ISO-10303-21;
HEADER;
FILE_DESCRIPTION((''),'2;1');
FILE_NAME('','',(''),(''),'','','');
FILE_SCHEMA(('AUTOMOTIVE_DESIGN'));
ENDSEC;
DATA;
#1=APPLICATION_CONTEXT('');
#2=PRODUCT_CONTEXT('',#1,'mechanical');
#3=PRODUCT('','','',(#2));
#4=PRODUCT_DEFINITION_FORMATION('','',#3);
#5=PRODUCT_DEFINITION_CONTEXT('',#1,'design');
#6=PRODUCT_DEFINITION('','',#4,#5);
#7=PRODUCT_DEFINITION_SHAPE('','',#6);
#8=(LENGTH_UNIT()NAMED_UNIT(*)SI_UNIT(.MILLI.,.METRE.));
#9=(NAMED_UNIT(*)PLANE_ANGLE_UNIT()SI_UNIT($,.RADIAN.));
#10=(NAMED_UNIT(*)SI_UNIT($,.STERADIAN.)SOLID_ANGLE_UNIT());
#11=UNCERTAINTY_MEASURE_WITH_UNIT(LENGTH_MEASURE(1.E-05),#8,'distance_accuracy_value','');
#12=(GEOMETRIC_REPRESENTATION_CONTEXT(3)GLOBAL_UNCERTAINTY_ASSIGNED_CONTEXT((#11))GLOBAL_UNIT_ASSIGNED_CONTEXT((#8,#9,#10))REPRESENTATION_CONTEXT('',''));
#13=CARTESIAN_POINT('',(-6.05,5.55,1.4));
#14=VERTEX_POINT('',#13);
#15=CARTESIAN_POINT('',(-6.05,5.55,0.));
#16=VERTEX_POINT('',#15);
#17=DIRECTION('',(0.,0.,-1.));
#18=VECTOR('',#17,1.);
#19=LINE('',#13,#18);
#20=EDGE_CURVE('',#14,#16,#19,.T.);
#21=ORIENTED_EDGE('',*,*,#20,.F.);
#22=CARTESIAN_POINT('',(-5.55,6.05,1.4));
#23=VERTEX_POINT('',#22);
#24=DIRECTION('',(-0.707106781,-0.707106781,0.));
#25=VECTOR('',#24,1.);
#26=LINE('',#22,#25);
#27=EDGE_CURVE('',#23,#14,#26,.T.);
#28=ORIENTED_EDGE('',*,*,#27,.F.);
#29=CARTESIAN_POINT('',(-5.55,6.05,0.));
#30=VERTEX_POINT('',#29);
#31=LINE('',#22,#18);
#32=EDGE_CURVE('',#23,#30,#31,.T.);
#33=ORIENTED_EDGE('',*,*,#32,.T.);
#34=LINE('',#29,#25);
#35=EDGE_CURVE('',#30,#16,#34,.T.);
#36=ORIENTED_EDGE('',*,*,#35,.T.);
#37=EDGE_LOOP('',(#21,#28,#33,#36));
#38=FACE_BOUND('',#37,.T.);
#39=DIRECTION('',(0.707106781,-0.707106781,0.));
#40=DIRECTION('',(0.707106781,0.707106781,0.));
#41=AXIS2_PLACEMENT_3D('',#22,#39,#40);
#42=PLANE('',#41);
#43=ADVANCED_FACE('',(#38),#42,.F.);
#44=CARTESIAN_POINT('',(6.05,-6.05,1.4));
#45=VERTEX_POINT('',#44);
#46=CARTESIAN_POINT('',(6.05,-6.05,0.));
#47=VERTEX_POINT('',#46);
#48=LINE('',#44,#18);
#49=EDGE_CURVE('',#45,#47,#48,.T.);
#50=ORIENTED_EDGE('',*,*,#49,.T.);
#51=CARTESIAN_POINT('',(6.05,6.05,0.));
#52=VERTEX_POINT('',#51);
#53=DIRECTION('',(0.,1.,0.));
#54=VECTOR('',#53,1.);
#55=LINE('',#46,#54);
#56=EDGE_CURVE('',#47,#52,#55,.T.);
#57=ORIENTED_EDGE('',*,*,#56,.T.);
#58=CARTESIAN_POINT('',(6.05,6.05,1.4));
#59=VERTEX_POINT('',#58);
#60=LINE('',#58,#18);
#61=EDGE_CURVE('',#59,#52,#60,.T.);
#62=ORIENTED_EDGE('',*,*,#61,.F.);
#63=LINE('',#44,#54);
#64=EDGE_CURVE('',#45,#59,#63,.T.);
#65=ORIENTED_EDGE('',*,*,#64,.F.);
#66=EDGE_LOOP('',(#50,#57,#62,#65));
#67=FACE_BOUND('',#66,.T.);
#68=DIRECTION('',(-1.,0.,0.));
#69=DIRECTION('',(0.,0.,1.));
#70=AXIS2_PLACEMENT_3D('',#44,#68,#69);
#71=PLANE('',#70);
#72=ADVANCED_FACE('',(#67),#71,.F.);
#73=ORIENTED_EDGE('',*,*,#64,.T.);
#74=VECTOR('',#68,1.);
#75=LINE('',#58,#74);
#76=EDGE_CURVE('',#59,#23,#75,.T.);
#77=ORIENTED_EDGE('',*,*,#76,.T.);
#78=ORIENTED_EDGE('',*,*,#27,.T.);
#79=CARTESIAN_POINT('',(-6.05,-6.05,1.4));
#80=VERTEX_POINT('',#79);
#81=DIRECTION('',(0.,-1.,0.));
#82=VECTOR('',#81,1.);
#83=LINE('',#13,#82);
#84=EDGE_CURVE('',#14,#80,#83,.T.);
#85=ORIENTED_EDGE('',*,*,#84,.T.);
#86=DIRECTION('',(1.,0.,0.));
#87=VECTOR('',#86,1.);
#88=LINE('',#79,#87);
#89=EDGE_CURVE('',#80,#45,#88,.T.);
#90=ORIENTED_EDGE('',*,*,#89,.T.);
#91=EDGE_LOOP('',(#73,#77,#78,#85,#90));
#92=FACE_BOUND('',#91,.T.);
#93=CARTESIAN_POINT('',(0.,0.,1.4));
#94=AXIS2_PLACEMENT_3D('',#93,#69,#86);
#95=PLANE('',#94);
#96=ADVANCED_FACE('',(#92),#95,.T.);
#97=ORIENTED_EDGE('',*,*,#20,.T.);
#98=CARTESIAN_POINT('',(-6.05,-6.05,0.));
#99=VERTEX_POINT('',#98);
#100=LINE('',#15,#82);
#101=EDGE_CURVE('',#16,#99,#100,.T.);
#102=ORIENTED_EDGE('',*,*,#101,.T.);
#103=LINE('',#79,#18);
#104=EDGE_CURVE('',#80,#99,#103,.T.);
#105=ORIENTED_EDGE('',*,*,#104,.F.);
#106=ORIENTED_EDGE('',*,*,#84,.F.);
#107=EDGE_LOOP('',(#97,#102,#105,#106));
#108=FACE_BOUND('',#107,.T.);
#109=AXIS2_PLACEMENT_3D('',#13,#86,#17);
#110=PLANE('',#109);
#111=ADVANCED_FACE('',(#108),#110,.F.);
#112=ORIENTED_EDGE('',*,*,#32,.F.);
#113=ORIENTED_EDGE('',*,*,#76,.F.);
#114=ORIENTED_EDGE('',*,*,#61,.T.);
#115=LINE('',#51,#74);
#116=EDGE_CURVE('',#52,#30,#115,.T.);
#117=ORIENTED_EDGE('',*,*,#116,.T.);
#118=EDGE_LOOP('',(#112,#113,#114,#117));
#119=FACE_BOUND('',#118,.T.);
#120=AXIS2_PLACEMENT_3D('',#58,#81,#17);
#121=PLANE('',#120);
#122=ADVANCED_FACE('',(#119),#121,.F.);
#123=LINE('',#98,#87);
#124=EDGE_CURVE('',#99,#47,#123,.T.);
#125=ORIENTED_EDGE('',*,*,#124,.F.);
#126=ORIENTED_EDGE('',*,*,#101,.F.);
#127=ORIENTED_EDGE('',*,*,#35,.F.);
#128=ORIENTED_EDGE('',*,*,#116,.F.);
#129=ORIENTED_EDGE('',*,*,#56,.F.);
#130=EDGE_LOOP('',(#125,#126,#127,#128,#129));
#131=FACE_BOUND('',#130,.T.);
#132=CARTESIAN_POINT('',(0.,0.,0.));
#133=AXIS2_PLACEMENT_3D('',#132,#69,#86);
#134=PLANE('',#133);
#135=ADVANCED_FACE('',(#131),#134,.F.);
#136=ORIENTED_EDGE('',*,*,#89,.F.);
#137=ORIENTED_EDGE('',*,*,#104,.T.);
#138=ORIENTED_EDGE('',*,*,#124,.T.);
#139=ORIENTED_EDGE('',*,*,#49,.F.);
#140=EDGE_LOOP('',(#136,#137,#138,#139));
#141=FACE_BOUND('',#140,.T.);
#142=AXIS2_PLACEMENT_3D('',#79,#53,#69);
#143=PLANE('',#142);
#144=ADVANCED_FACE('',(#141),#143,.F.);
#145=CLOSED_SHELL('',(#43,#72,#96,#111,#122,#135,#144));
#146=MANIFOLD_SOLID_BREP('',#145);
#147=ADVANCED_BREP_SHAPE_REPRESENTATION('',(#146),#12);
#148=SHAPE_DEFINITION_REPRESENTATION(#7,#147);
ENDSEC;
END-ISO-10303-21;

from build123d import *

# Parameters (mm, degrees)
COMPONENT_OUTLINE_DEPTH = 1.4


with BuildPart() as part:
    # 草图1 → Component_Outline (new body)
    with BuildSketch(Plane.XY):
        Polygon((-5.55, 6.05), (-6.05, 5.55), (-6.05, -6.05), (6.05, -6.05), (6.05, 6.05), align=None)
    extrude(amount=COMPONENT_OUTLINE_DEPTH)


solid = part.part
